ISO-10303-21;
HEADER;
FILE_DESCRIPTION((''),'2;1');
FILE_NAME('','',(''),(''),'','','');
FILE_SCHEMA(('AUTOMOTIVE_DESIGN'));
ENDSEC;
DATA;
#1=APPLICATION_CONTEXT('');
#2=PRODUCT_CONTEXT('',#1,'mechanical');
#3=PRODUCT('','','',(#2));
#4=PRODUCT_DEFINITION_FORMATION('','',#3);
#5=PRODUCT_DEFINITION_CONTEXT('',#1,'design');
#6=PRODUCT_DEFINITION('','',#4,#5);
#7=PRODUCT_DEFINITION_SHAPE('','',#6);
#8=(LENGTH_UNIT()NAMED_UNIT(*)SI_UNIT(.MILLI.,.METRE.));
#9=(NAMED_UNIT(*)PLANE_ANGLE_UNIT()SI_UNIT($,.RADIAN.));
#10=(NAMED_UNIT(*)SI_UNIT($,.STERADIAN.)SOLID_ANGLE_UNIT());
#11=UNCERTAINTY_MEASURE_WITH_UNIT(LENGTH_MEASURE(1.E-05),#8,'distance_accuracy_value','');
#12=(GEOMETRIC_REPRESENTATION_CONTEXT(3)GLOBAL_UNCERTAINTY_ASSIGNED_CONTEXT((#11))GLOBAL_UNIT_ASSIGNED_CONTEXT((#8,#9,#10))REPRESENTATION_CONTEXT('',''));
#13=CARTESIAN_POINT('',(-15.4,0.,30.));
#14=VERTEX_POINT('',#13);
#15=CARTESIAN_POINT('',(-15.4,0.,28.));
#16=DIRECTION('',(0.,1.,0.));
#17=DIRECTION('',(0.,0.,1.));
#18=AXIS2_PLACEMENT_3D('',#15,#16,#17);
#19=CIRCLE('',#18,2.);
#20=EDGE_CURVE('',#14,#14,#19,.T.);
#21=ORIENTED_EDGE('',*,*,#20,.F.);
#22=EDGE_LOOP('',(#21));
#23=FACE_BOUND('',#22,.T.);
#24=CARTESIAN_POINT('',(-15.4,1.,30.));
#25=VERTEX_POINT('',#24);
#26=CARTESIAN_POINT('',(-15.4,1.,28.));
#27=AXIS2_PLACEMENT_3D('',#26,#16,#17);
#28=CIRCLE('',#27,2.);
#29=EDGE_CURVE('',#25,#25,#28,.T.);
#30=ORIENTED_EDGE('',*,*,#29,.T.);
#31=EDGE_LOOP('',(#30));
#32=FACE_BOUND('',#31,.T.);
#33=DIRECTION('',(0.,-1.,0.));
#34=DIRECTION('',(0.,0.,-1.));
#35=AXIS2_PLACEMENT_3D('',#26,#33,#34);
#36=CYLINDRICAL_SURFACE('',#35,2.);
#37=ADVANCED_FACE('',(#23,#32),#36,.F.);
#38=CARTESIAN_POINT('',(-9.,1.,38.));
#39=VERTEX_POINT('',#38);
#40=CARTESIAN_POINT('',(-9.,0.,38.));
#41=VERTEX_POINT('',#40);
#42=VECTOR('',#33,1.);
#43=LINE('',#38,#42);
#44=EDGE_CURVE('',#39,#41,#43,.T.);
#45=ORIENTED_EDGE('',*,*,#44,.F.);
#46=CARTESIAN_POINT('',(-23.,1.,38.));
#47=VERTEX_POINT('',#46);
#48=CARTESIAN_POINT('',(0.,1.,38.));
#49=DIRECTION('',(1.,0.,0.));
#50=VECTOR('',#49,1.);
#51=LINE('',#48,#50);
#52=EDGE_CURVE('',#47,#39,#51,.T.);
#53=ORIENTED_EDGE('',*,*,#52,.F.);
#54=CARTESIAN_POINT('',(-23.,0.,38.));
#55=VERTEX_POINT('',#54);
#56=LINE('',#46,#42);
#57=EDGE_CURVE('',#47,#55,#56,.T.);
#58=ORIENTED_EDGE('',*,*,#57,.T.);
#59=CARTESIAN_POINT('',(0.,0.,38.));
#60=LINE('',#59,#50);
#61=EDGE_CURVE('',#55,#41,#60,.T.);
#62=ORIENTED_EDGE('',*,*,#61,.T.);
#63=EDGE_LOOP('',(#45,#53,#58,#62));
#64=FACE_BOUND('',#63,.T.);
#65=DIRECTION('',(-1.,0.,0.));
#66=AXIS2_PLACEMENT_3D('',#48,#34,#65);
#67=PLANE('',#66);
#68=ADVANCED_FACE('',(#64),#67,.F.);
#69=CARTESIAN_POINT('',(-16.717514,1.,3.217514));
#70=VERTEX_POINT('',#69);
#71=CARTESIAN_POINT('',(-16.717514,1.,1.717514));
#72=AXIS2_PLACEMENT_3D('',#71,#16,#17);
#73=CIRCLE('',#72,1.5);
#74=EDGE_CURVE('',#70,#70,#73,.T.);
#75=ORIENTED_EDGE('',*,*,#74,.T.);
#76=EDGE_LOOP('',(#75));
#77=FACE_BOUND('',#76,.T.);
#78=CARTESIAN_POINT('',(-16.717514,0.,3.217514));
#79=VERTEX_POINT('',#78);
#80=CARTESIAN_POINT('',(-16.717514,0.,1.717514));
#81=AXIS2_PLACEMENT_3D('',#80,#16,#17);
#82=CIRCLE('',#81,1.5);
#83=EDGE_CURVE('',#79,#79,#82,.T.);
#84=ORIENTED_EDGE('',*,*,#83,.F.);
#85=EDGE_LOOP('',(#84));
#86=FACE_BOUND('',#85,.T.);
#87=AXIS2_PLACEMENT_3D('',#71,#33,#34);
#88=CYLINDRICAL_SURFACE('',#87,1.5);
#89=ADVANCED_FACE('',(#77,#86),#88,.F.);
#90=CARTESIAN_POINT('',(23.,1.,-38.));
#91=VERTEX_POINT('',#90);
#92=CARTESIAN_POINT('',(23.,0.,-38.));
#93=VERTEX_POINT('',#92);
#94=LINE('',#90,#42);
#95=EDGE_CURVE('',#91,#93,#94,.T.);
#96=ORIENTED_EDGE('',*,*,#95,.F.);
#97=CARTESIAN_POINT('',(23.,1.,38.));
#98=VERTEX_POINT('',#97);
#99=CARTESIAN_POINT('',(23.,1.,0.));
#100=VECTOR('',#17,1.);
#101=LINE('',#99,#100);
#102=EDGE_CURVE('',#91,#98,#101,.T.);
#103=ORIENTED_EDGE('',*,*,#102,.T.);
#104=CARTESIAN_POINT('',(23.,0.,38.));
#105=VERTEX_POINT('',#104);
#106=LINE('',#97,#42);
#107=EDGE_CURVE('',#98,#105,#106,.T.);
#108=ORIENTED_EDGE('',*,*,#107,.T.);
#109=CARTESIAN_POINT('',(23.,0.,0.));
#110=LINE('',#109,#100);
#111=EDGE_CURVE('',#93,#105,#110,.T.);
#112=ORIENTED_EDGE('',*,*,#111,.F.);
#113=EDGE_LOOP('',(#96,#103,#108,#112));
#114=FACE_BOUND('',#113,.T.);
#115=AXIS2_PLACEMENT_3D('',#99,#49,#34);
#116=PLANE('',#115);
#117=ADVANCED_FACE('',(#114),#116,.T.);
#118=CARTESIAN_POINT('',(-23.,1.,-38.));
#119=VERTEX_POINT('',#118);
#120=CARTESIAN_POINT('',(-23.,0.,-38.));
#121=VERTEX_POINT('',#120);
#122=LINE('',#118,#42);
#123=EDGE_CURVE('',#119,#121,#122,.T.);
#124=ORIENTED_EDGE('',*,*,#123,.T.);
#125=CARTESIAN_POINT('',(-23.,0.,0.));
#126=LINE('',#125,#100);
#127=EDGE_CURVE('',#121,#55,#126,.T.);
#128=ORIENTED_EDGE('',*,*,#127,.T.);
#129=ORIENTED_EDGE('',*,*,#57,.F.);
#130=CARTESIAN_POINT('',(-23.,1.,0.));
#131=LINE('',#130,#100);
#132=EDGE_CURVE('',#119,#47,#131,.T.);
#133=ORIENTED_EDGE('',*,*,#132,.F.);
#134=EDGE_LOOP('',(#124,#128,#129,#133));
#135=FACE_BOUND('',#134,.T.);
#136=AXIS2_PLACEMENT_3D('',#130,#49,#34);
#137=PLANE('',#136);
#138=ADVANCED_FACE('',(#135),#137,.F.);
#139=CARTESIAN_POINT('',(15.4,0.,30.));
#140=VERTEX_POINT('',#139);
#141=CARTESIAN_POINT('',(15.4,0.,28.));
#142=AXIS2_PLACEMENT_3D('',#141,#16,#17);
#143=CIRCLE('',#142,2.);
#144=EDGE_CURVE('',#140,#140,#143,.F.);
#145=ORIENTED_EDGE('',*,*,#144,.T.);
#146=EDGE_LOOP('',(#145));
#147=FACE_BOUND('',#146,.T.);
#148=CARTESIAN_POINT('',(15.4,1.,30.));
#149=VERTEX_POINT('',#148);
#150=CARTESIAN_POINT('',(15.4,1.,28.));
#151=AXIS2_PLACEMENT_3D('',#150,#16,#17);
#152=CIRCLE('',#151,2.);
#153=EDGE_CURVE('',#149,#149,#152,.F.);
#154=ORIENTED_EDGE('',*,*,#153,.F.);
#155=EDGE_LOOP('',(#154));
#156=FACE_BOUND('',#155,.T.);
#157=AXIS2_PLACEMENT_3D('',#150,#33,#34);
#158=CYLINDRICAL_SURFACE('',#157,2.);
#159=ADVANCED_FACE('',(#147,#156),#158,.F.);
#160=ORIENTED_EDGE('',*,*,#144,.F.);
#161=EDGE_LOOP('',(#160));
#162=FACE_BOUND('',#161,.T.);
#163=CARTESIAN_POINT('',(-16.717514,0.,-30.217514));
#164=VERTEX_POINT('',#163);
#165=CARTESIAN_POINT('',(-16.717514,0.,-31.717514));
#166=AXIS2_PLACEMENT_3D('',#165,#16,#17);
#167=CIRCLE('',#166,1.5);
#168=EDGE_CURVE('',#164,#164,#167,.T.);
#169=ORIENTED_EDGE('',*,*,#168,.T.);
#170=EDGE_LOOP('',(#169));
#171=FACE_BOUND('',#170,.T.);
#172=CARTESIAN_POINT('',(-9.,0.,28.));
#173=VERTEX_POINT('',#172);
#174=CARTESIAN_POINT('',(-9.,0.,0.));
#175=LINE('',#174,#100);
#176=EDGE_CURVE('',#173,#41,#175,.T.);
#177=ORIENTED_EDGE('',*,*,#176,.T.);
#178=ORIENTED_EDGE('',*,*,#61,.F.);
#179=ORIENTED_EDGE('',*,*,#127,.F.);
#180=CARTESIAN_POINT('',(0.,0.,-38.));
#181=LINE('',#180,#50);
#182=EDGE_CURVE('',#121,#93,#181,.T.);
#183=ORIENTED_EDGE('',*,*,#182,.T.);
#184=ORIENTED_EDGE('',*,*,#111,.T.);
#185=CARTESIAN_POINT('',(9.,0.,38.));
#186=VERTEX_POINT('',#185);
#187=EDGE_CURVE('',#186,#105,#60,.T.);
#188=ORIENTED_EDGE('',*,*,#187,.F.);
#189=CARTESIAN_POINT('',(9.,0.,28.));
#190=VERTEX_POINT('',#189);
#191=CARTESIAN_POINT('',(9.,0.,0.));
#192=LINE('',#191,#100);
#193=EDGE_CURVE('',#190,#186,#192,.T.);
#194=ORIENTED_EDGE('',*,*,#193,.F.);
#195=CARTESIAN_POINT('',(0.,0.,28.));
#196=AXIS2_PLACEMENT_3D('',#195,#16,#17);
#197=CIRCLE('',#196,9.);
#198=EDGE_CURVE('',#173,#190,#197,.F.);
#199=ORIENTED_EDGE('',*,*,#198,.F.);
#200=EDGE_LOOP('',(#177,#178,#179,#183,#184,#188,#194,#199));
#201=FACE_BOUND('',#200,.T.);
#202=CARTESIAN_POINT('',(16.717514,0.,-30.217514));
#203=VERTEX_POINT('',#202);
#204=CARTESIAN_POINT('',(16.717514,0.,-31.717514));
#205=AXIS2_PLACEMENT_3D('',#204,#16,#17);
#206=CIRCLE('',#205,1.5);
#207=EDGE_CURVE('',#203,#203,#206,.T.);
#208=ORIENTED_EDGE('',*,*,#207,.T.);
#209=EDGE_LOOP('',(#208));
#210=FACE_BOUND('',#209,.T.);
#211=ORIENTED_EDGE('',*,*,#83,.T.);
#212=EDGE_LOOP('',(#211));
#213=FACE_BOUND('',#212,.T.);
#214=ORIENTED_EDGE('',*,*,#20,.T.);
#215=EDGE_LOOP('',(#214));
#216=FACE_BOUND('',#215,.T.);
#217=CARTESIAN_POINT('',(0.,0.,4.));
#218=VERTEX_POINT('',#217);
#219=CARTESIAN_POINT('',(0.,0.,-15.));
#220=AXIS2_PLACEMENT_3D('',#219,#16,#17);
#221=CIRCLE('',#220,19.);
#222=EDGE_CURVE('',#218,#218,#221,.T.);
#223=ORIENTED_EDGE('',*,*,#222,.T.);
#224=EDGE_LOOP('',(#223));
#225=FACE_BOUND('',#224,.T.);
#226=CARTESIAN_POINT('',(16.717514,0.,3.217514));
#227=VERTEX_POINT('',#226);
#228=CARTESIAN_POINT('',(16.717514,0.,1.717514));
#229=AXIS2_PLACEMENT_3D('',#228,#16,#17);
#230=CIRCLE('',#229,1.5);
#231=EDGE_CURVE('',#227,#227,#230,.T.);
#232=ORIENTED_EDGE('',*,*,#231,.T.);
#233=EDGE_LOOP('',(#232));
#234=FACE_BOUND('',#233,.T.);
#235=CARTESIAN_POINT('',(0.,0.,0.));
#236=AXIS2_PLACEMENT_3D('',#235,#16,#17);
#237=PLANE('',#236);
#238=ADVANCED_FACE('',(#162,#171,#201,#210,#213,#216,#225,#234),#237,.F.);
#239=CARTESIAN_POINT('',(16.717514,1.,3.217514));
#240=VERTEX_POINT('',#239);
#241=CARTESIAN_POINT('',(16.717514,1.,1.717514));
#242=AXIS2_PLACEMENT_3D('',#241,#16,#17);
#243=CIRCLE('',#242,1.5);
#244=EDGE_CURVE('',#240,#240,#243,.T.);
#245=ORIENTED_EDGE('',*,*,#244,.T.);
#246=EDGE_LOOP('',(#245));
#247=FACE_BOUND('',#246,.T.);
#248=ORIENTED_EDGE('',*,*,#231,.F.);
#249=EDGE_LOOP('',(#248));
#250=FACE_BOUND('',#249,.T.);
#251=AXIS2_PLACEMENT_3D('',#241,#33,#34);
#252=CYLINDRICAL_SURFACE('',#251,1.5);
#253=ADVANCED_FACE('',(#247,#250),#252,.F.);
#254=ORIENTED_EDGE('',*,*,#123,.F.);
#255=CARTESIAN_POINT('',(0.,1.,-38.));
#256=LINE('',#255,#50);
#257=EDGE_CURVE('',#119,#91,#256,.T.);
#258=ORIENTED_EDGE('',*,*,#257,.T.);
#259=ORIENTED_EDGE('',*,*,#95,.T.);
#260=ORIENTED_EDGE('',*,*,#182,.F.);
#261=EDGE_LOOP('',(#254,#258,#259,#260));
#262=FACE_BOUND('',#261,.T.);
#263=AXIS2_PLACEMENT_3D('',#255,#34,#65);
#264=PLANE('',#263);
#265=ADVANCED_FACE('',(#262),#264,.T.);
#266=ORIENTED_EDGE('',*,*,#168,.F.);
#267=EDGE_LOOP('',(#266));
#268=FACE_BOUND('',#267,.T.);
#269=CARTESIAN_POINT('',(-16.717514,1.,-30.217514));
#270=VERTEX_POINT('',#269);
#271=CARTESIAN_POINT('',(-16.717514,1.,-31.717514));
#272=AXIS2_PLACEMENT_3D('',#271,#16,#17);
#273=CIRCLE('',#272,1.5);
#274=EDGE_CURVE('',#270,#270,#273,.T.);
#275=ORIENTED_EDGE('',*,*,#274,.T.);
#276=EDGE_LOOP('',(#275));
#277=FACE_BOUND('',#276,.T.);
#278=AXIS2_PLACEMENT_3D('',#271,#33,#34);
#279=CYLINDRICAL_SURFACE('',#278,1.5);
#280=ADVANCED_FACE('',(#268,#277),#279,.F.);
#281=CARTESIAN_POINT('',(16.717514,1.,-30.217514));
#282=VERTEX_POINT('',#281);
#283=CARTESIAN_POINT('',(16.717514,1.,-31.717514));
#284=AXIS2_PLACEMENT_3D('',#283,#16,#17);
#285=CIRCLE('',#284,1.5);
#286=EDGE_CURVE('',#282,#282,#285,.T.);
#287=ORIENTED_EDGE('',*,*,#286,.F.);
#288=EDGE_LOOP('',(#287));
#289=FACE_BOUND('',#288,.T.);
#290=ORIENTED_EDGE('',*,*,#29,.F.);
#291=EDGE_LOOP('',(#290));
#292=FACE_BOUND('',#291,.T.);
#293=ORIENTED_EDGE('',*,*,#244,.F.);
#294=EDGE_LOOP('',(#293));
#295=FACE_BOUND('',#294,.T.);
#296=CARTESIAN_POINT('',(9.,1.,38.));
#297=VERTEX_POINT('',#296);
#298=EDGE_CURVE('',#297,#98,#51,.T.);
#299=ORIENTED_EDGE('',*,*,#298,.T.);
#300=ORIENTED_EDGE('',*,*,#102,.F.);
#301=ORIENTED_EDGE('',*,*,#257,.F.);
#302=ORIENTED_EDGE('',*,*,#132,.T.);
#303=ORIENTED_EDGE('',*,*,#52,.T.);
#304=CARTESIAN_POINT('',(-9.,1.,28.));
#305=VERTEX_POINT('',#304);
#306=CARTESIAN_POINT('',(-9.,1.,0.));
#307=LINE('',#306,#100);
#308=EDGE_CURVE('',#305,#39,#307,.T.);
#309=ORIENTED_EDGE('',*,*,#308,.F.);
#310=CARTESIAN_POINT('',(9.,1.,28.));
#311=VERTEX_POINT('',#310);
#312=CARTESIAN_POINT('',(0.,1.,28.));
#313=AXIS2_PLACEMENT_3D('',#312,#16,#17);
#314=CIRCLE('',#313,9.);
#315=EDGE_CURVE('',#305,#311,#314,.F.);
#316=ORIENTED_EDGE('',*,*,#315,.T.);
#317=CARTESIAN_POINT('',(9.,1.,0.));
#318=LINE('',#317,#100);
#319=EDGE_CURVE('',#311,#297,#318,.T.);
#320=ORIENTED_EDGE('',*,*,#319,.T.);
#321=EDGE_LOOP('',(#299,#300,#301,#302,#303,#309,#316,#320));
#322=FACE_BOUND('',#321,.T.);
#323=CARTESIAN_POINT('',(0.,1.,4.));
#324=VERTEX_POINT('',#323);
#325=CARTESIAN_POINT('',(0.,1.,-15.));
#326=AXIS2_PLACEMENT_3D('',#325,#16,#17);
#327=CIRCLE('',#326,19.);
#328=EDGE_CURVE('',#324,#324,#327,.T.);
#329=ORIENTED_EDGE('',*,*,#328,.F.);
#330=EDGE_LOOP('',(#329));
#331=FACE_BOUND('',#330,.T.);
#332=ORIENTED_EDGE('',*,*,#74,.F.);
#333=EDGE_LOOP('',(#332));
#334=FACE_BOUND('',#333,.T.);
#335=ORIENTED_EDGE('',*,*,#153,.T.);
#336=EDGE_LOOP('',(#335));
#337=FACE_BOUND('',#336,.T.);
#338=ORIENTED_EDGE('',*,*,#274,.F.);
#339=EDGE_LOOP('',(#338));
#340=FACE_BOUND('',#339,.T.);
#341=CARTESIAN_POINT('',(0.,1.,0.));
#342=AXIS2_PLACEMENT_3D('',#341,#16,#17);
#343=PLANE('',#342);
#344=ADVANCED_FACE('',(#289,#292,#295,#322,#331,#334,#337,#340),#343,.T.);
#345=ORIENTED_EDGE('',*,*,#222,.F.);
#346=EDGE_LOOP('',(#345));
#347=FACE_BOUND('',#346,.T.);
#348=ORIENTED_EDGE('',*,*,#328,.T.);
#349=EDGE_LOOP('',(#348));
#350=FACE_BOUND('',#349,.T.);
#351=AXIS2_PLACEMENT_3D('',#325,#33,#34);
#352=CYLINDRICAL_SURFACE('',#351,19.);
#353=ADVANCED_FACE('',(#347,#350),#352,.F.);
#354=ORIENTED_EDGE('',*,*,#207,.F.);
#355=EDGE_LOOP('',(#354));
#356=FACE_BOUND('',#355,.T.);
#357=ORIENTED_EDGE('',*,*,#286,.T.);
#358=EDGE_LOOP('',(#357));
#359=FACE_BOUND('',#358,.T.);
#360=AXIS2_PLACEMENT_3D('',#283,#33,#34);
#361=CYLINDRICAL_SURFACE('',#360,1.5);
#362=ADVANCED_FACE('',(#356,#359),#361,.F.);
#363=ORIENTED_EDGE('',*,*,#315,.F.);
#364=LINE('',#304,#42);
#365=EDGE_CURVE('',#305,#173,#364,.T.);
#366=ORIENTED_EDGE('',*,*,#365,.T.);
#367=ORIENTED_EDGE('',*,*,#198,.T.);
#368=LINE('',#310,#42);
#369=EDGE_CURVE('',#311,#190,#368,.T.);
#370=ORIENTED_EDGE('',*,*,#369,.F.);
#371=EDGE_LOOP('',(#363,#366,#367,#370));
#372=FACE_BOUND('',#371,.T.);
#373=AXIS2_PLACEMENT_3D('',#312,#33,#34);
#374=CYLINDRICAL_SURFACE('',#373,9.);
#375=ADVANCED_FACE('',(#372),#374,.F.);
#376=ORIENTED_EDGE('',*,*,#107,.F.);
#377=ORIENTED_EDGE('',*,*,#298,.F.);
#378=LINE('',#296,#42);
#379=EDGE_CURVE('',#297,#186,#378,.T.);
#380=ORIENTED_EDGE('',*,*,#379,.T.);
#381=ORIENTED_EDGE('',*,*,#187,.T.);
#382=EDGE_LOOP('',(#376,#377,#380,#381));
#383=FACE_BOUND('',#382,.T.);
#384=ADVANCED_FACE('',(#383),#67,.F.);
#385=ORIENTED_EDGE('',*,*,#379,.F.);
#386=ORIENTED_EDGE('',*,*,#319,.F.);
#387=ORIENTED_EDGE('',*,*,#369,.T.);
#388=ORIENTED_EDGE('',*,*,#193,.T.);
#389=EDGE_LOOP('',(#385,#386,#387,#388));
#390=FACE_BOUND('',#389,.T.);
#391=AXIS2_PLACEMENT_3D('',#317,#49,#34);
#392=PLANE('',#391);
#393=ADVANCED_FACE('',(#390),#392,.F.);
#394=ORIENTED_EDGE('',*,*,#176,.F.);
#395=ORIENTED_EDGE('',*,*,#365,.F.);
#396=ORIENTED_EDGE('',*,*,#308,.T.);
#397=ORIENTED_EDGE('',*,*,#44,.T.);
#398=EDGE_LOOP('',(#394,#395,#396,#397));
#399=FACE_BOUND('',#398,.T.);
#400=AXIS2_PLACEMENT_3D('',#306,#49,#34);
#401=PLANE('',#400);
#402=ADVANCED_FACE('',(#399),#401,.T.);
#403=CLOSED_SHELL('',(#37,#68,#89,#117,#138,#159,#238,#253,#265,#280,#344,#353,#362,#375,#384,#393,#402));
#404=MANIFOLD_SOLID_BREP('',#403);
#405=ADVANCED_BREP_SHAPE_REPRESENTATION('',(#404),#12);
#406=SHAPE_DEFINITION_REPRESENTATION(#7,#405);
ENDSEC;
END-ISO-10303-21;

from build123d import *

# Parameters (mm, degrees)
SKETCH_1_R      = 2
SKETCH_1_W      = 40
SKETCH_1_H      = 40
SKETCH_1_R_2    = 1.5
SKETCH_1_R_3    = 19
EXTRUDE_1_DEPTH = 1


with BuildPart() as part:
    # Эскиз1 → Бобышка-Вытянуть1 (new body)
    # profile 1 of 2: a face of its own
    with BuildSketch(Plane(origin=(0, 0, 0), x_dir=(1, 0, 0), z_dir=(0, 1, 0))):
        with BuildLine():
            Line((-9, -28), (-9, -38))
            Line((-9, -38), (-23, -38))
            Line((-23, -38), (-23, 38))
            Line((-23, 38), (23, 38))
            Line((23, 38), (23, -38))
            Line((23, -38), (9, -38))
            Line((9, -38), (9, -28))
            ThreePointArc((9, -28), (0, -19), (-9, -28))
        make_face()
        with Locations(Location((15.4, -28, 0), (0, 0, 270))):
            Circle(SKETCH_1_R, mode=Mode.SUBTRACT)
        with Locations(Location((-15.4, -28, 0), (0, 0, 270))):
            Circle(SKETCH_1_R, mode=Mode.SUBTRACT)
        with Locations((0, 15)):
            Rectangle(SKETCH_1_W, SKETCH_1_H, mode=Mode.SUBTRACT)
    # profile 2 of 2: a face of its own
    with BuildSketch(Plane(origin=(0, 0, 0), x_dir=(1, 0, 0), z_dir=(0, 1, 0))):
        with Locations((0, 15)):
            Rectangle(SKETCH_1_W, SKETCH_1_H)
        with Locations(Location((-16.717514421, -1.717514421, 0), (0, 0, 270))):
            Circle(SKETCH_1_R_2, mode=Mode.SUBTRACT)
        with Locations(Location((16.717514421, -1.717514421, 0), (0, 0, 270))):
            Circle(SKETCH_1_R_2, mode=Mode.SUBTRACT)
        with Locations(Location((16.717514421, 31.717514421, 0), (0, 0, 270))):
            Circle(SKETCH_1_R_2, mode=Mode.SUBTRACT)
        with Locations(Location((-16.717514421, 31.717514421, 0), (0, 0, 270))):
            Circle(SKETCH_1_R_2, mode=Mode.SUBTRACT)
        with Locations(Location((0, 15, 0), (0, 0, 270))):
            Circle(SKETCH_1_R_3, mode=Mode.SUBTRACT)
    extrude(amount=EXTRUDE_1_DEPTH)


solid = part.part
